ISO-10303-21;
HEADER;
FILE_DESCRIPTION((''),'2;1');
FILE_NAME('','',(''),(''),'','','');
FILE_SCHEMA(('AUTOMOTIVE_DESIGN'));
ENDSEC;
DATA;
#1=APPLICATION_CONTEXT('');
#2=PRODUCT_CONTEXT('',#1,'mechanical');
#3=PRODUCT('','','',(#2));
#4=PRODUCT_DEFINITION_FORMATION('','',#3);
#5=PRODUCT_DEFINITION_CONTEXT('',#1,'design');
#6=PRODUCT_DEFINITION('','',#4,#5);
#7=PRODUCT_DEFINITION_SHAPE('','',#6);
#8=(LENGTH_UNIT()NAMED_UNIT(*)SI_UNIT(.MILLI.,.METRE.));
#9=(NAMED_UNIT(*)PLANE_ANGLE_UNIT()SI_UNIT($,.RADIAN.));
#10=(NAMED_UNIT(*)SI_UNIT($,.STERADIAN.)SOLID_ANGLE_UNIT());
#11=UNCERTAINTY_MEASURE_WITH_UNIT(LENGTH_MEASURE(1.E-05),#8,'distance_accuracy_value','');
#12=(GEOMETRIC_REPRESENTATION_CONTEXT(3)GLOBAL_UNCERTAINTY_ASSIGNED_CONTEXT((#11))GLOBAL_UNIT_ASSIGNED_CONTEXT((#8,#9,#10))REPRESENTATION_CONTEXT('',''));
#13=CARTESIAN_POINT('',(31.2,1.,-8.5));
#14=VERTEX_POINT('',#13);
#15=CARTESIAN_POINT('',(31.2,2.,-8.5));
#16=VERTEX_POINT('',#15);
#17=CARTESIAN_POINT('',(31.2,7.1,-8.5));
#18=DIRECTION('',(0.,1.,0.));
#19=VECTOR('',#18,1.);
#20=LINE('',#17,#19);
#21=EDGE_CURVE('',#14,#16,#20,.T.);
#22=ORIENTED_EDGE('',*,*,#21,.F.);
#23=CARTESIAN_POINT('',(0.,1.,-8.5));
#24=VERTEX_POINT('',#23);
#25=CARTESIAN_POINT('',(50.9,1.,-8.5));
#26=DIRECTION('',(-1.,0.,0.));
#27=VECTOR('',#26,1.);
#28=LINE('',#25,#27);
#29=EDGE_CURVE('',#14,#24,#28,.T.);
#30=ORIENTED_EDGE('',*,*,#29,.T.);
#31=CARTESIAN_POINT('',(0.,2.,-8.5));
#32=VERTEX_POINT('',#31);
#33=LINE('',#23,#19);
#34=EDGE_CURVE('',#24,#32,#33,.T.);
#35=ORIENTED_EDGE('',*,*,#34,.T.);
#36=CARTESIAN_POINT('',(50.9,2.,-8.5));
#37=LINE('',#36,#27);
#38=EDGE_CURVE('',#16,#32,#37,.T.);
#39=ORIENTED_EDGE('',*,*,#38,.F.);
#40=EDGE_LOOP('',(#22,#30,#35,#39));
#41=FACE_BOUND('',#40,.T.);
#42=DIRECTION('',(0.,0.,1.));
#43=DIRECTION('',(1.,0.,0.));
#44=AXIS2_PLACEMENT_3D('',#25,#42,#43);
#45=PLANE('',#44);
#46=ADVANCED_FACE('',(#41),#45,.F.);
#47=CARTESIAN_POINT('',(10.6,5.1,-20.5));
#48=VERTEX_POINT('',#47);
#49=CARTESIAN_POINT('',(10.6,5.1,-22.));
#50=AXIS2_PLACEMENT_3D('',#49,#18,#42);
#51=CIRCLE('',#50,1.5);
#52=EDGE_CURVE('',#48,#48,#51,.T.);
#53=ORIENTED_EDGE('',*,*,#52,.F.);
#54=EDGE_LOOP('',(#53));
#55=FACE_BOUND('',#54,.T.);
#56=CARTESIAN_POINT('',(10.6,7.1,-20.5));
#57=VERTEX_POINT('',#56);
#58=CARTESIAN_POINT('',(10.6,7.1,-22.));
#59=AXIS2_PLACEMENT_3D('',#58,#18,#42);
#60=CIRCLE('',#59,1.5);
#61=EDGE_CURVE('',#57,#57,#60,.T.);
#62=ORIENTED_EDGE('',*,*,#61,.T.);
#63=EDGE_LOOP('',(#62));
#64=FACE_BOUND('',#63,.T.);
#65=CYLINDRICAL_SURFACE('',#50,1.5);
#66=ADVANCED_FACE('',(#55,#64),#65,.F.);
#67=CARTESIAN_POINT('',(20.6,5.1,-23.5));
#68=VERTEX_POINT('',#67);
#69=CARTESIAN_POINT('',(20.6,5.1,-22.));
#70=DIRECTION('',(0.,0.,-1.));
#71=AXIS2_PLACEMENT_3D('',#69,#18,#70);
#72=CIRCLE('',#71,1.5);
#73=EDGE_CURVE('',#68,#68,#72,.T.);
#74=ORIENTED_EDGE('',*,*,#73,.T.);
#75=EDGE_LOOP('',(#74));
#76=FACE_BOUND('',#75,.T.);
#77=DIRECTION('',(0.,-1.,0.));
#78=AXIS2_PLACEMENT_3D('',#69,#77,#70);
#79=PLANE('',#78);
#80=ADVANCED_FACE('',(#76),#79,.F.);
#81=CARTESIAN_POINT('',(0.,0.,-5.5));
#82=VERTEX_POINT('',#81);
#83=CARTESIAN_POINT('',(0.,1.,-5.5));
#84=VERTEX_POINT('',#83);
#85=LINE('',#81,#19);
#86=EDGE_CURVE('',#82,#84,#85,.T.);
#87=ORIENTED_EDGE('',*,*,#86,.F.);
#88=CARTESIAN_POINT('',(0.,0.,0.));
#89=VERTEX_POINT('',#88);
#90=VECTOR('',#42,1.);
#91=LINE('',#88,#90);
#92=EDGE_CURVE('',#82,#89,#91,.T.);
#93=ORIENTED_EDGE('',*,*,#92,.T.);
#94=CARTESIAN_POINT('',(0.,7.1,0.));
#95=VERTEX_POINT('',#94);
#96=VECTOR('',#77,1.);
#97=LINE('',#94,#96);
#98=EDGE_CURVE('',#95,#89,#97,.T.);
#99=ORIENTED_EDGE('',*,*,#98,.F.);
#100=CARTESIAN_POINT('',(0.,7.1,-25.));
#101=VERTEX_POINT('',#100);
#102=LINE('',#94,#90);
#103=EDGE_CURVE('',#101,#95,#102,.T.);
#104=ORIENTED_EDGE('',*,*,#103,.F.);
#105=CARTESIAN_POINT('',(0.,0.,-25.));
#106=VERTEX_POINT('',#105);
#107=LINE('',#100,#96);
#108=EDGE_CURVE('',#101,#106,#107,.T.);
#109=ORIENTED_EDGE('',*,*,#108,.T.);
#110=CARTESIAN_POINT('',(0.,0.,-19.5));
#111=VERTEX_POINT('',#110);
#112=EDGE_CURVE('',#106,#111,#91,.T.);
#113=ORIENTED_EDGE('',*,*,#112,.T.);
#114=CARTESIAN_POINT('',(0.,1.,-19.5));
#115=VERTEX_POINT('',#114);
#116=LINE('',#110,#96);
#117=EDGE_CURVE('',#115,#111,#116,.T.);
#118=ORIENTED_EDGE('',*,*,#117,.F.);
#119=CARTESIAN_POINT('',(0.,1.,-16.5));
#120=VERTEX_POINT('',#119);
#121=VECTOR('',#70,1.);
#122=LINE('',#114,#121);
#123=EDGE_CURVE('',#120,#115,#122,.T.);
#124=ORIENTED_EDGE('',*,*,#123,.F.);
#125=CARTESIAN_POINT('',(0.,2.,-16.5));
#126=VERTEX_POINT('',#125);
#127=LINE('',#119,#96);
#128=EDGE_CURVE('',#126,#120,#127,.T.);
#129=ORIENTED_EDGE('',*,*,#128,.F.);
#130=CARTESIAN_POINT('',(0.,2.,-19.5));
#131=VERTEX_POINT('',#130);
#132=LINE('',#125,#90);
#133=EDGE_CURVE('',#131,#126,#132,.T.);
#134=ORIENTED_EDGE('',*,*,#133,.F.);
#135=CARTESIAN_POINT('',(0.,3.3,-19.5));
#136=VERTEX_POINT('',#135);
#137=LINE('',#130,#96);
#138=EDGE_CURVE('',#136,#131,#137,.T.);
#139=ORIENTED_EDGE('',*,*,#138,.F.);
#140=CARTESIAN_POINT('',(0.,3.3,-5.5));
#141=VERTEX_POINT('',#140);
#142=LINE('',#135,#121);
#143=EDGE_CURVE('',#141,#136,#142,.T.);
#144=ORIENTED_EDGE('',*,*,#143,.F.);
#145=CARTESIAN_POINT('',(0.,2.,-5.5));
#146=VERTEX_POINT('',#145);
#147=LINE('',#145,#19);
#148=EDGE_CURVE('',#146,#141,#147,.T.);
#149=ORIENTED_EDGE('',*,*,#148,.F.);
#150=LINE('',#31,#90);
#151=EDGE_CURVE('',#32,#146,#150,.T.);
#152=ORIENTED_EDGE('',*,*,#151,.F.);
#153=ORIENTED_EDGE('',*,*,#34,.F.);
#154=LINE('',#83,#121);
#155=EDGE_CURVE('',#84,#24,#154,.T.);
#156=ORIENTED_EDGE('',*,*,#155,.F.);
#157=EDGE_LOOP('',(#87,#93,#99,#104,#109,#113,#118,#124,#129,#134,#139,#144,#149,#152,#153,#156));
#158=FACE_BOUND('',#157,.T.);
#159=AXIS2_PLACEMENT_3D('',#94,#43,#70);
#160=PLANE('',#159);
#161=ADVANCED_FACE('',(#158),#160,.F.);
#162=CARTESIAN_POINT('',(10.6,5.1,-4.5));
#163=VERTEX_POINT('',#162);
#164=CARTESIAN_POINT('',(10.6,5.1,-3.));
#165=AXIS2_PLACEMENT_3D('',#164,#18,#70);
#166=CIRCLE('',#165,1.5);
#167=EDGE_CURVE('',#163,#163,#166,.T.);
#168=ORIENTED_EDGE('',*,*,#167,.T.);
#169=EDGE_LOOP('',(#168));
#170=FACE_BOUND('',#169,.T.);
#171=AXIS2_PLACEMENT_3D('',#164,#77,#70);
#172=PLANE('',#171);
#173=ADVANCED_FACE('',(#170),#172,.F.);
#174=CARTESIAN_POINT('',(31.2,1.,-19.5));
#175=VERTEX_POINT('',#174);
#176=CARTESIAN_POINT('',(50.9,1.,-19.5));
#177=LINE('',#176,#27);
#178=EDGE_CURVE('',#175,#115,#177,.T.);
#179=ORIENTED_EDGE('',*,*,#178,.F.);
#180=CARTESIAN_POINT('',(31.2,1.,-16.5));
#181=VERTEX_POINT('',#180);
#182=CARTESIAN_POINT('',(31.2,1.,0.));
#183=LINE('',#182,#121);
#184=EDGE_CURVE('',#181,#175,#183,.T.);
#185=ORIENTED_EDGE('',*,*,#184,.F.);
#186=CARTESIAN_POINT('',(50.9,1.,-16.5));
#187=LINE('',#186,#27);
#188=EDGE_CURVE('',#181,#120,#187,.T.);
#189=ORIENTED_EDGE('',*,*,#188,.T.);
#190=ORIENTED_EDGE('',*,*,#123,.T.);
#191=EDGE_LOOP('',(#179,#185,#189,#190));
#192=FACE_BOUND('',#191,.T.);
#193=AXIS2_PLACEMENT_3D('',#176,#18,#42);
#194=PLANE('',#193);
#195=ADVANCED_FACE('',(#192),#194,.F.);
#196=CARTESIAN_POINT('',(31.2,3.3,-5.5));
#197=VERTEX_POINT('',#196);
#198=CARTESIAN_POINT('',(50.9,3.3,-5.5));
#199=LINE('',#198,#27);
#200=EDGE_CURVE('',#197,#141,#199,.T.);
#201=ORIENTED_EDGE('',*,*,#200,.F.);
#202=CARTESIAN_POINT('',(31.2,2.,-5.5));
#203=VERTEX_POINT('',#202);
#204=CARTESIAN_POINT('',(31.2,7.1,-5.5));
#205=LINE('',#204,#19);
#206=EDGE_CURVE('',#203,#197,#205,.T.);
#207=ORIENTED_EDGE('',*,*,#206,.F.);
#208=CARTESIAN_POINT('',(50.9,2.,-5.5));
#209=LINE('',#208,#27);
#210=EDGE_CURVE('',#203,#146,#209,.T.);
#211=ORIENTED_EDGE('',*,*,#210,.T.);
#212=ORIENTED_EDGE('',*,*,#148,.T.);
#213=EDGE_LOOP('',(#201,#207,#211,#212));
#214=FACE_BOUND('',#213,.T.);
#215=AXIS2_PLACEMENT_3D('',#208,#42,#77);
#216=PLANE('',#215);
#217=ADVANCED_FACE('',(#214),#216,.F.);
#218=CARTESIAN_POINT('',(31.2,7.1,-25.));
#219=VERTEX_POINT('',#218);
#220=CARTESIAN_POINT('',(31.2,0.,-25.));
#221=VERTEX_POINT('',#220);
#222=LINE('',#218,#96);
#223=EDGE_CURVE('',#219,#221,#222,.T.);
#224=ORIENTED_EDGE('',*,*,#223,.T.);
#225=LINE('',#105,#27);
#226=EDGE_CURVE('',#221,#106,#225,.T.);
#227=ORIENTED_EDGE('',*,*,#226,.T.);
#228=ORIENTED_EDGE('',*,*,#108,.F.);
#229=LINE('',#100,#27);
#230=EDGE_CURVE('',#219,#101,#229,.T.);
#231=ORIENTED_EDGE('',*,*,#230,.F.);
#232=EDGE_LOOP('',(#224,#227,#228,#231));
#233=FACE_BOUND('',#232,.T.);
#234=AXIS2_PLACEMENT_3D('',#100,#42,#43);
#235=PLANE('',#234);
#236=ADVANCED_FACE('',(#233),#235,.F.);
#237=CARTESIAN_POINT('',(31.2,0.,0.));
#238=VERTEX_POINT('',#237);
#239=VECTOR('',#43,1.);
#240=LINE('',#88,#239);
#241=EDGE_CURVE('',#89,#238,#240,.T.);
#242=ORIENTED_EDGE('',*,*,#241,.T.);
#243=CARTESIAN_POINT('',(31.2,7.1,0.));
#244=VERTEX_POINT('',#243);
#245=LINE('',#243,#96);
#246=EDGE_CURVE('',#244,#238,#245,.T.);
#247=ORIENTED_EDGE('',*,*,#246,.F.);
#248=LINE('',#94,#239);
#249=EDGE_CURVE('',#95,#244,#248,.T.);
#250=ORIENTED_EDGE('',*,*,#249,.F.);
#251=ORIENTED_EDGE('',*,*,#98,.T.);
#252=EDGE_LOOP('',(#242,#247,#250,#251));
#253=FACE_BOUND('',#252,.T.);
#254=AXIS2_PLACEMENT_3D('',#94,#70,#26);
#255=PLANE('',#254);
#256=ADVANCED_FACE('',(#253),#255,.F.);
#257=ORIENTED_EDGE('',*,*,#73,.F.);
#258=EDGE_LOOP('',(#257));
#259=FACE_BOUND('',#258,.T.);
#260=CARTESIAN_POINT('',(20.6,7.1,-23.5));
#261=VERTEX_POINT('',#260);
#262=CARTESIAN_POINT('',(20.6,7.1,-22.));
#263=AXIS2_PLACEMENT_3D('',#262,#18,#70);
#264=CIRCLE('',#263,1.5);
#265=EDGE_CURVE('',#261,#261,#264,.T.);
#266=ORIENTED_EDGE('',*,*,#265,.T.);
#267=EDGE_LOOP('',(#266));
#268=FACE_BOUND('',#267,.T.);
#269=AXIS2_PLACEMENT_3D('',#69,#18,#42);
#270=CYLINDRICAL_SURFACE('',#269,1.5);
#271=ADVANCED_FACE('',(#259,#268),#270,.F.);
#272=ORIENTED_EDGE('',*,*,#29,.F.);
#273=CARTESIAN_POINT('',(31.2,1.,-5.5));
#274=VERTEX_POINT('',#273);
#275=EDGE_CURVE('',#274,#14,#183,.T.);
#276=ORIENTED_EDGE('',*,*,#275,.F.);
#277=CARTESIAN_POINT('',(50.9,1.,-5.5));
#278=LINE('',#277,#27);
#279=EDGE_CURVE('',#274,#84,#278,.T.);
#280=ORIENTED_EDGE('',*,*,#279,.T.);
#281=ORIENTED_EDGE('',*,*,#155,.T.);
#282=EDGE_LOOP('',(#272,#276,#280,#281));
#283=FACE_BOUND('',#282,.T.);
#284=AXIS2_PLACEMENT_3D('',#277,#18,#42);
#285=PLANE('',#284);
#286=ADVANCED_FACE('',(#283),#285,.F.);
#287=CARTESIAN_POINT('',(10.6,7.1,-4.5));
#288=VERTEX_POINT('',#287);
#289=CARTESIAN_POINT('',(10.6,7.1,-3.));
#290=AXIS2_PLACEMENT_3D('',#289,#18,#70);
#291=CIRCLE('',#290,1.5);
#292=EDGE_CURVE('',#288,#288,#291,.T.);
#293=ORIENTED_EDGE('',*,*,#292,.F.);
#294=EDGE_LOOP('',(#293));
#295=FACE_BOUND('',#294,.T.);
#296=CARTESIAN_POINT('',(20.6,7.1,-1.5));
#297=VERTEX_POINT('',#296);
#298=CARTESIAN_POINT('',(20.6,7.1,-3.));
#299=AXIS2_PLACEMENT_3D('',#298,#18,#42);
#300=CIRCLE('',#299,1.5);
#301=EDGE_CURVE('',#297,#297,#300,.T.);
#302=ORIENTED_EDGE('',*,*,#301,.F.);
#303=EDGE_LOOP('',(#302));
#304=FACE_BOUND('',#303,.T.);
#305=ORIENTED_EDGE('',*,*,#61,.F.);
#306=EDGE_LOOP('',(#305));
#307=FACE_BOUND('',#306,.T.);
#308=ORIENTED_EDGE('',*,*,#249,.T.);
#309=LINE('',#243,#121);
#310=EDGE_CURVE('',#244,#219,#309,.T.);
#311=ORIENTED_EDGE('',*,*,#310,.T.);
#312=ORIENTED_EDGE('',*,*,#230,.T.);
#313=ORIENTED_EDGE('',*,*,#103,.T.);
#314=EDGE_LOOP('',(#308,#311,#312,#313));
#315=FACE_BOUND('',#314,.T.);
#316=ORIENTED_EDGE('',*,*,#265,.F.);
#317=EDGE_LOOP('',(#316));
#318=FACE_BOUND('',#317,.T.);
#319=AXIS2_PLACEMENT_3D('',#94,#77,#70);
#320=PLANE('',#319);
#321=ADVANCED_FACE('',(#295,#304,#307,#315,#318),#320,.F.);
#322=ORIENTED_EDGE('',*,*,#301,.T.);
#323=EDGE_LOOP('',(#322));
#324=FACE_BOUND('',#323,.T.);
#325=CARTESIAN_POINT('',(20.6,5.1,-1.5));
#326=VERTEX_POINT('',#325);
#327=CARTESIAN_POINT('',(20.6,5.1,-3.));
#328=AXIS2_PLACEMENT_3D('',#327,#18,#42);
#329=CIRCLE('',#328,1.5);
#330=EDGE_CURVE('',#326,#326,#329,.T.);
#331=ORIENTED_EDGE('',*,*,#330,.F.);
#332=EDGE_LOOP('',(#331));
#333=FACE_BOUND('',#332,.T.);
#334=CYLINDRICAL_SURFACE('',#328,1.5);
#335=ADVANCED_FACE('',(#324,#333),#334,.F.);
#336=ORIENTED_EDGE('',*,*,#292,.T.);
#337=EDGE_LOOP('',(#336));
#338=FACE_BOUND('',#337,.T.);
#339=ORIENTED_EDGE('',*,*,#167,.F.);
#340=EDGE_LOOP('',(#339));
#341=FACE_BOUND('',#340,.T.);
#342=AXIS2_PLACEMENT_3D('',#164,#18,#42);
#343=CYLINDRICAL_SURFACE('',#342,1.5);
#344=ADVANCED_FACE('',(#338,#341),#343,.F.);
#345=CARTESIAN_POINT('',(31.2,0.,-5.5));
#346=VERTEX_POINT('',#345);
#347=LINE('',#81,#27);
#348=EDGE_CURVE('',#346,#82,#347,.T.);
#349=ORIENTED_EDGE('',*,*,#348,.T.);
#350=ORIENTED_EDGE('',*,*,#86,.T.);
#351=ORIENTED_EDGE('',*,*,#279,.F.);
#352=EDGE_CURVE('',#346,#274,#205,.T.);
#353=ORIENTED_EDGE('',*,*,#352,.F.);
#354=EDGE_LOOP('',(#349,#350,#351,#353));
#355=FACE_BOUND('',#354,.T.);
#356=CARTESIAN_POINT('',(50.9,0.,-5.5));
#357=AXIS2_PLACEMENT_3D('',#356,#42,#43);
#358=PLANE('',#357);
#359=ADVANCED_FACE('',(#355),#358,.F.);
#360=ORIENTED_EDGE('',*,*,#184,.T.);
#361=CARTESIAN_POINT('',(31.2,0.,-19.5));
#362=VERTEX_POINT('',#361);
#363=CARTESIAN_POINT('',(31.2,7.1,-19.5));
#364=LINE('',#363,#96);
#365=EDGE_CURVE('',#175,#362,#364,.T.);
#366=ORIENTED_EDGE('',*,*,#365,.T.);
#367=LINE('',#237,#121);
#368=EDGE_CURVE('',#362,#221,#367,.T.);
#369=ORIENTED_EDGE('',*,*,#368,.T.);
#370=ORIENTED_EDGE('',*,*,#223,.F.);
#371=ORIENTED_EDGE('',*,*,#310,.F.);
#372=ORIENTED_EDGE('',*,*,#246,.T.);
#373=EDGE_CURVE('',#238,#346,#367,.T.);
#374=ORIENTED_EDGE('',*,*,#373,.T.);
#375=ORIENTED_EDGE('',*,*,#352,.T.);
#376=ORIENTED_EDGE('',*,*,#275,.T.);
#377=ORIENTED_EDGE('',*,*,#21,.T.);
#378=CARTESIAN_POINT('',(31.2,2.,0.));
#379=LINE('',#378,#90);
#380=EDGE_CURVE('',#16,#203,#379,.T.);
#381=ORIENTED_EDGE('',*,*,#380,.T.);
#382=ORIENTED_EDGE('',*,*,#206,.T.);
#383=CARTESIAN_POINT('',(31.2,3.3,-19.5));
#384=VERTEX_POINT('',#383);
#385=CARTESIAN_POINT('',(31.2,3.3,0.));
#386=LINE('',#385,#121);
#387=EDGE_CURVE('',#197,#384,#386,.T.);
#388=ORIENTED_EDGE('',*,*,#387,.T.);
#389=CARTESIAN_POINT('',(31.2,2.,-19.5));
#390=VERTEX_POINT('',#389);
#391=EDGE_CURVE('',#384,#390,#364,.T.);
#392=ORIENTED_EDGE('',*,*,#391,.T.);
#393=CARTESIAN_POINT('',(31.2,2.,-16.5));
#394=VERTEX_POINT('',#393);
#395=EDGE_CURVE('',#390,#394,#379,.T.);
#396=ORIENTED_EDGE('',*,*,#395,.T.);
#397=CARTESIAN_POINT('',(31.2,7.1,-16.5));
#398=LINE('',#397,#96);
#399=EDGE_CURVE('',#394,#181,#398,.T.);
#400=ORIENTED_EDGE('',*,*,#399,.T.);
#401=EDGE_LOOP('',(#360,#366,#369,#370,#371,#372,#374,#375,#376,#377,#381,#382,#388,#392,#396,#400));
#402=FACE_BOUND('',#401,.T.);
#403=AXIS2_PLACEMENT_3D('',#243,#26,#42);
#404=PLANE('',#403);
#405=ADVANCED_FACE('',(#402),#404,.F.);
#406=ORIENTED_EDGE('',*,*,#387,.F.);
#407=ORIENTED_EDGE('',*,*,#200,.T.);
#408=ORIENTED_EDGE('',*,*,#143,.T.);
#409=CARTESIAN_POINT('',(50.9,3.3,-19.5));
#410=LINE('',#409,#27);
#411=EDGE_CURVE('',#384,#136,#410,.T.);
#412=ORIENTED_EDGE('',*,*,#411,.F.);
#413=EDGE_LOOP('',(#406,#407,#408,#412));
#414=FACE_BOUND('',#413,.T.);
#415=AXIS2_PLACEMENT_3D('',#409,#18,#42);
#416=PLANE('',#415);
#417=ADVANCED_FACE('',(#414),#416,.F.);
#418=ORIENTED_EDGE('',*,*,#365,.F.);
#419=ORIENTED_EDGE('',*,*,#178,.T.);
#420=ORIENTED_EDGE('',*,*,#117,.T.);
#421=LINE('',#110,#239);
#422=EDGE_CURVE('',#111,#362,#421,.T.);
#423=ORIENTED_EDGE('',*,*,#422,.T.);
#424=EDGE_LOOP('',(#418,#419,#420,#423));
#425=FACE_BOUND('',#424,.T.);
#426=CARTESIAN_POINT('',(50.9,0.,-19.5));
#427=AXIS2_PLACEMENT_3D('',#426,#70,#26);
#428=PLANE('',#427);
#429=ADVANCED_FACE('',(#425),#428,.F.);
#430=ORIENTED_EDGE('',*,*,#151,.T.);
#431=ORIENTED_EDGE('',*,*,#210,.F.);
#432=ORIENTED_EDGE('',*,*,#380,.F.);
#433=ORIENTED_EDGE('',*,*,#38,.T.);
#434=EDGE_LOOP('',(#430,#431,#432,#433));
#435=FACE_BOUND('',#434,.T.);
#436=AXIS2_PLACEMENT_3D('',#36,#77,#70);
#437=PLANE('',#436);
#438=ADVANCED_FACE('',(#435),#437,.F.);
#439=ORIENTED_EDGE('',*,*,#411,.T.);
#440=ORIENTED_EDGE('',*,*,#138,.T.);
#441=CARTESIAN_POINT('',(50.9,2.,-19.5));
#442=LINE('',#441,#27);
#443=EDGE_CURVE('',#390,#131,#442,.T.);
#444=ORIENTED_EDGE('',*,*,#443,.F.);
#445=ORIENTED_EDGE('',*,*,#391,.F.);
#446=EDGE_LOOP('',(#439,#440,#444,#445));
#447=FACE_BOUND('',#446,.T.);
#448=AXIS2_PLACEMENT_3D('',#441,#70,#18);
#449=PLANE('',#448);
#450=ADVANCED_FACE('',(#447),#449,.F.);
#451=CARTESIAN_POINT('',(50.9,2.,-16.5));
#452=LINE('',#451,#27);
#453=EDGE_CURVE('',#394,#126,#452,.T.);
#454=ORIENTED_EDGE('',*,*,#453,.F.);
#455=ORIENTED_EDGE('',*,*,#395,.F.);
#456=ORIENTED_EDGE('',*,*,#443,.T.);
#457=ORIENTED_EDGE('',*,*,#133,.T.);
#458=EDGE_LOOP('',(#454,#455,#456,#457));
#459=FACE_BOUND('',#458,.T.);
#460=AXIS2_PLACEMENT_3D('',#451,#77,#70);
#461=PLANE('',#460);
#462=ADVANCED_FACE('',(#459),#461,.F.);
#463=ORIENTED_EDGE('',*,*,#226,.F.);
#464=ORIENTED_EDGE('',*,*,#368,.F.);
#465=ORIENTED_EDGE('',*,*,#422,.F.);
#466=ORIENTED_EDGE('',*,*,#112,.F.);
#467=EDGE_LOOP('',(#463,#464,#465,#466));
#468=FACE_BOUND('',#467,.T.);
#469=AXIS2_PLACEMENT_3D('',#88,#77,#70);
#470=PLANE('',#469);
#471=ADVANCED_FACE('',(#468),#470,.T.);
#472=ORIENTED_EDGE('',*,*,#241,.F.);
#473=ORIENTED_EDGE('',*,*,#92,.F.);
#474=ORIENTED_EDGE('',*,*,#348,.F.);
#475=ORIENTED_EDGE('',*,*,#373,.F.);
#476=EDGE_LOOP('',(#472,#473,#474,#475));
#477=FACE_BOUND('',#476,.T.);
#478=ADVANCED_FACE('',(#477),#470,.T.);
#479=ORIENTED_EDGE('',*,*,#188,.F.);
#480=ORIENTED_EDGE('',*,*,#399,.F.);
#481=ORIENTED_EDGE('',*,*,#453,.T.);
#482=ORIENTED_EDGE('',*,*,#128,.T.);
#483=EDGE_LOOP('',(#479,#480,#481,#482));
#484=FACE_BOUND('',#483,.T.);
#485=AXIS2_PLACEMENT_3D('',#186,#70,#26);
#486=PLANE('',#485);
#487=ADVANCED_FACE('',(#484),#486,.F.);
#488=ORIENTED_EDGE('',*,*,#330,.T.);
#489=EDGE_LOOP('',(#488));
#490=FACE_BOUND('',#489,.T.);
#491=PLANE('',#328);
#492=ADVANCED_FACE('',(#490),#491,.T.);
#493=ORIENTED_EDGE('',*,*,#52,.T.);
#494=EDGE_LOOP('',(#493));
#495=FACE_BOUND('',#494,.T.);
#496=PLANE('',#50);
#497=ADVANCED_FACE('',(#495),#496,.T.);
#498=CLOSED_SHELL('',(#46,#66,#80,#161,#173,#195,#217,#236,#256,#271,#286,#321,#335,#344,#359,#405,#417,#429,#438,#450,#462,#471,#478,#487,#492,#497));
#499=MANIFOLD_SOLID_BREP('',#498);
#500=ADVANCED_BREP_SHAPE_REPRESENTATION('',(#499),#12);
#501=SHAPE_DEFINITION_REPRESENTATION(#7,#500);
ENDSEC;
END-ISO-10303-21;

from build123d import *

# Parameters (mm, degrees)
SKETCH_1_W          = 31.2
SKETCH_1_H          = 25
EXTRUDE_1_DEPTH     = 7.1
CUT_EXTRUDE_1_DEPTH = 50.9
SKETCH_3_R          = 1.5
CUT_EXTRUDE_9_DEPTH = 2


with BuildPart() as part:
    # 草图1 → 凸台-拉伸1 (new body)
    with BuildSketch(Plane(origin=(0, 0, 0), x_dir=(1, 0, 0), z_dir=(0, 1, 0))):
        with Locations((15.6, 12.5)):
            Rectangle(SKETCH_1_W, SKETCH_1_H)
    extrude(amount=EXTRUDE_1_DEPTH)

    # 草图2 → 切除-拉伸1 (cut)
    with BuildSketch(Plane.ZY):
        Polygon((-19.5, 0), (-19.5, 1), (-16.5, 1), (-16.5, 2), (-19.5, 2), (-19.5, 3.3), (-12.5, 3.3), (-5.5, 3.3), (-5.5, 2), (-8.5, 2), (-8.5, 1), (-5.5, 1), (-5.5, 0), align=None)
    extrude(amount=-CUT_EXTRUDE_1_DEPTH, mode=Mode.SUBTRACT)

    # 草图3 → 切除-拉伸9 (cut)
    with BuildSketch(Plane(origin=(0, 7.1, 0), x_dir=(1, 0, 0), z_dir=(0, 1, 0))):
        with Locations((10.6, 22)):
            Circle(SKETCH_3_R)
        with Locations((20.6, 22)):
            Circle(SKETCH_3_R)
        with Locations((20.6, 3)):
            Circle(SKETCH_3_R)
        with Locations((10.6, 3)):
            Circle(SKETCH_3_R)
    extrude(amount=-CUT_EXTRUDE_9_DEPTH, mode=Mode.SUBTRACT)


solid = part.part
